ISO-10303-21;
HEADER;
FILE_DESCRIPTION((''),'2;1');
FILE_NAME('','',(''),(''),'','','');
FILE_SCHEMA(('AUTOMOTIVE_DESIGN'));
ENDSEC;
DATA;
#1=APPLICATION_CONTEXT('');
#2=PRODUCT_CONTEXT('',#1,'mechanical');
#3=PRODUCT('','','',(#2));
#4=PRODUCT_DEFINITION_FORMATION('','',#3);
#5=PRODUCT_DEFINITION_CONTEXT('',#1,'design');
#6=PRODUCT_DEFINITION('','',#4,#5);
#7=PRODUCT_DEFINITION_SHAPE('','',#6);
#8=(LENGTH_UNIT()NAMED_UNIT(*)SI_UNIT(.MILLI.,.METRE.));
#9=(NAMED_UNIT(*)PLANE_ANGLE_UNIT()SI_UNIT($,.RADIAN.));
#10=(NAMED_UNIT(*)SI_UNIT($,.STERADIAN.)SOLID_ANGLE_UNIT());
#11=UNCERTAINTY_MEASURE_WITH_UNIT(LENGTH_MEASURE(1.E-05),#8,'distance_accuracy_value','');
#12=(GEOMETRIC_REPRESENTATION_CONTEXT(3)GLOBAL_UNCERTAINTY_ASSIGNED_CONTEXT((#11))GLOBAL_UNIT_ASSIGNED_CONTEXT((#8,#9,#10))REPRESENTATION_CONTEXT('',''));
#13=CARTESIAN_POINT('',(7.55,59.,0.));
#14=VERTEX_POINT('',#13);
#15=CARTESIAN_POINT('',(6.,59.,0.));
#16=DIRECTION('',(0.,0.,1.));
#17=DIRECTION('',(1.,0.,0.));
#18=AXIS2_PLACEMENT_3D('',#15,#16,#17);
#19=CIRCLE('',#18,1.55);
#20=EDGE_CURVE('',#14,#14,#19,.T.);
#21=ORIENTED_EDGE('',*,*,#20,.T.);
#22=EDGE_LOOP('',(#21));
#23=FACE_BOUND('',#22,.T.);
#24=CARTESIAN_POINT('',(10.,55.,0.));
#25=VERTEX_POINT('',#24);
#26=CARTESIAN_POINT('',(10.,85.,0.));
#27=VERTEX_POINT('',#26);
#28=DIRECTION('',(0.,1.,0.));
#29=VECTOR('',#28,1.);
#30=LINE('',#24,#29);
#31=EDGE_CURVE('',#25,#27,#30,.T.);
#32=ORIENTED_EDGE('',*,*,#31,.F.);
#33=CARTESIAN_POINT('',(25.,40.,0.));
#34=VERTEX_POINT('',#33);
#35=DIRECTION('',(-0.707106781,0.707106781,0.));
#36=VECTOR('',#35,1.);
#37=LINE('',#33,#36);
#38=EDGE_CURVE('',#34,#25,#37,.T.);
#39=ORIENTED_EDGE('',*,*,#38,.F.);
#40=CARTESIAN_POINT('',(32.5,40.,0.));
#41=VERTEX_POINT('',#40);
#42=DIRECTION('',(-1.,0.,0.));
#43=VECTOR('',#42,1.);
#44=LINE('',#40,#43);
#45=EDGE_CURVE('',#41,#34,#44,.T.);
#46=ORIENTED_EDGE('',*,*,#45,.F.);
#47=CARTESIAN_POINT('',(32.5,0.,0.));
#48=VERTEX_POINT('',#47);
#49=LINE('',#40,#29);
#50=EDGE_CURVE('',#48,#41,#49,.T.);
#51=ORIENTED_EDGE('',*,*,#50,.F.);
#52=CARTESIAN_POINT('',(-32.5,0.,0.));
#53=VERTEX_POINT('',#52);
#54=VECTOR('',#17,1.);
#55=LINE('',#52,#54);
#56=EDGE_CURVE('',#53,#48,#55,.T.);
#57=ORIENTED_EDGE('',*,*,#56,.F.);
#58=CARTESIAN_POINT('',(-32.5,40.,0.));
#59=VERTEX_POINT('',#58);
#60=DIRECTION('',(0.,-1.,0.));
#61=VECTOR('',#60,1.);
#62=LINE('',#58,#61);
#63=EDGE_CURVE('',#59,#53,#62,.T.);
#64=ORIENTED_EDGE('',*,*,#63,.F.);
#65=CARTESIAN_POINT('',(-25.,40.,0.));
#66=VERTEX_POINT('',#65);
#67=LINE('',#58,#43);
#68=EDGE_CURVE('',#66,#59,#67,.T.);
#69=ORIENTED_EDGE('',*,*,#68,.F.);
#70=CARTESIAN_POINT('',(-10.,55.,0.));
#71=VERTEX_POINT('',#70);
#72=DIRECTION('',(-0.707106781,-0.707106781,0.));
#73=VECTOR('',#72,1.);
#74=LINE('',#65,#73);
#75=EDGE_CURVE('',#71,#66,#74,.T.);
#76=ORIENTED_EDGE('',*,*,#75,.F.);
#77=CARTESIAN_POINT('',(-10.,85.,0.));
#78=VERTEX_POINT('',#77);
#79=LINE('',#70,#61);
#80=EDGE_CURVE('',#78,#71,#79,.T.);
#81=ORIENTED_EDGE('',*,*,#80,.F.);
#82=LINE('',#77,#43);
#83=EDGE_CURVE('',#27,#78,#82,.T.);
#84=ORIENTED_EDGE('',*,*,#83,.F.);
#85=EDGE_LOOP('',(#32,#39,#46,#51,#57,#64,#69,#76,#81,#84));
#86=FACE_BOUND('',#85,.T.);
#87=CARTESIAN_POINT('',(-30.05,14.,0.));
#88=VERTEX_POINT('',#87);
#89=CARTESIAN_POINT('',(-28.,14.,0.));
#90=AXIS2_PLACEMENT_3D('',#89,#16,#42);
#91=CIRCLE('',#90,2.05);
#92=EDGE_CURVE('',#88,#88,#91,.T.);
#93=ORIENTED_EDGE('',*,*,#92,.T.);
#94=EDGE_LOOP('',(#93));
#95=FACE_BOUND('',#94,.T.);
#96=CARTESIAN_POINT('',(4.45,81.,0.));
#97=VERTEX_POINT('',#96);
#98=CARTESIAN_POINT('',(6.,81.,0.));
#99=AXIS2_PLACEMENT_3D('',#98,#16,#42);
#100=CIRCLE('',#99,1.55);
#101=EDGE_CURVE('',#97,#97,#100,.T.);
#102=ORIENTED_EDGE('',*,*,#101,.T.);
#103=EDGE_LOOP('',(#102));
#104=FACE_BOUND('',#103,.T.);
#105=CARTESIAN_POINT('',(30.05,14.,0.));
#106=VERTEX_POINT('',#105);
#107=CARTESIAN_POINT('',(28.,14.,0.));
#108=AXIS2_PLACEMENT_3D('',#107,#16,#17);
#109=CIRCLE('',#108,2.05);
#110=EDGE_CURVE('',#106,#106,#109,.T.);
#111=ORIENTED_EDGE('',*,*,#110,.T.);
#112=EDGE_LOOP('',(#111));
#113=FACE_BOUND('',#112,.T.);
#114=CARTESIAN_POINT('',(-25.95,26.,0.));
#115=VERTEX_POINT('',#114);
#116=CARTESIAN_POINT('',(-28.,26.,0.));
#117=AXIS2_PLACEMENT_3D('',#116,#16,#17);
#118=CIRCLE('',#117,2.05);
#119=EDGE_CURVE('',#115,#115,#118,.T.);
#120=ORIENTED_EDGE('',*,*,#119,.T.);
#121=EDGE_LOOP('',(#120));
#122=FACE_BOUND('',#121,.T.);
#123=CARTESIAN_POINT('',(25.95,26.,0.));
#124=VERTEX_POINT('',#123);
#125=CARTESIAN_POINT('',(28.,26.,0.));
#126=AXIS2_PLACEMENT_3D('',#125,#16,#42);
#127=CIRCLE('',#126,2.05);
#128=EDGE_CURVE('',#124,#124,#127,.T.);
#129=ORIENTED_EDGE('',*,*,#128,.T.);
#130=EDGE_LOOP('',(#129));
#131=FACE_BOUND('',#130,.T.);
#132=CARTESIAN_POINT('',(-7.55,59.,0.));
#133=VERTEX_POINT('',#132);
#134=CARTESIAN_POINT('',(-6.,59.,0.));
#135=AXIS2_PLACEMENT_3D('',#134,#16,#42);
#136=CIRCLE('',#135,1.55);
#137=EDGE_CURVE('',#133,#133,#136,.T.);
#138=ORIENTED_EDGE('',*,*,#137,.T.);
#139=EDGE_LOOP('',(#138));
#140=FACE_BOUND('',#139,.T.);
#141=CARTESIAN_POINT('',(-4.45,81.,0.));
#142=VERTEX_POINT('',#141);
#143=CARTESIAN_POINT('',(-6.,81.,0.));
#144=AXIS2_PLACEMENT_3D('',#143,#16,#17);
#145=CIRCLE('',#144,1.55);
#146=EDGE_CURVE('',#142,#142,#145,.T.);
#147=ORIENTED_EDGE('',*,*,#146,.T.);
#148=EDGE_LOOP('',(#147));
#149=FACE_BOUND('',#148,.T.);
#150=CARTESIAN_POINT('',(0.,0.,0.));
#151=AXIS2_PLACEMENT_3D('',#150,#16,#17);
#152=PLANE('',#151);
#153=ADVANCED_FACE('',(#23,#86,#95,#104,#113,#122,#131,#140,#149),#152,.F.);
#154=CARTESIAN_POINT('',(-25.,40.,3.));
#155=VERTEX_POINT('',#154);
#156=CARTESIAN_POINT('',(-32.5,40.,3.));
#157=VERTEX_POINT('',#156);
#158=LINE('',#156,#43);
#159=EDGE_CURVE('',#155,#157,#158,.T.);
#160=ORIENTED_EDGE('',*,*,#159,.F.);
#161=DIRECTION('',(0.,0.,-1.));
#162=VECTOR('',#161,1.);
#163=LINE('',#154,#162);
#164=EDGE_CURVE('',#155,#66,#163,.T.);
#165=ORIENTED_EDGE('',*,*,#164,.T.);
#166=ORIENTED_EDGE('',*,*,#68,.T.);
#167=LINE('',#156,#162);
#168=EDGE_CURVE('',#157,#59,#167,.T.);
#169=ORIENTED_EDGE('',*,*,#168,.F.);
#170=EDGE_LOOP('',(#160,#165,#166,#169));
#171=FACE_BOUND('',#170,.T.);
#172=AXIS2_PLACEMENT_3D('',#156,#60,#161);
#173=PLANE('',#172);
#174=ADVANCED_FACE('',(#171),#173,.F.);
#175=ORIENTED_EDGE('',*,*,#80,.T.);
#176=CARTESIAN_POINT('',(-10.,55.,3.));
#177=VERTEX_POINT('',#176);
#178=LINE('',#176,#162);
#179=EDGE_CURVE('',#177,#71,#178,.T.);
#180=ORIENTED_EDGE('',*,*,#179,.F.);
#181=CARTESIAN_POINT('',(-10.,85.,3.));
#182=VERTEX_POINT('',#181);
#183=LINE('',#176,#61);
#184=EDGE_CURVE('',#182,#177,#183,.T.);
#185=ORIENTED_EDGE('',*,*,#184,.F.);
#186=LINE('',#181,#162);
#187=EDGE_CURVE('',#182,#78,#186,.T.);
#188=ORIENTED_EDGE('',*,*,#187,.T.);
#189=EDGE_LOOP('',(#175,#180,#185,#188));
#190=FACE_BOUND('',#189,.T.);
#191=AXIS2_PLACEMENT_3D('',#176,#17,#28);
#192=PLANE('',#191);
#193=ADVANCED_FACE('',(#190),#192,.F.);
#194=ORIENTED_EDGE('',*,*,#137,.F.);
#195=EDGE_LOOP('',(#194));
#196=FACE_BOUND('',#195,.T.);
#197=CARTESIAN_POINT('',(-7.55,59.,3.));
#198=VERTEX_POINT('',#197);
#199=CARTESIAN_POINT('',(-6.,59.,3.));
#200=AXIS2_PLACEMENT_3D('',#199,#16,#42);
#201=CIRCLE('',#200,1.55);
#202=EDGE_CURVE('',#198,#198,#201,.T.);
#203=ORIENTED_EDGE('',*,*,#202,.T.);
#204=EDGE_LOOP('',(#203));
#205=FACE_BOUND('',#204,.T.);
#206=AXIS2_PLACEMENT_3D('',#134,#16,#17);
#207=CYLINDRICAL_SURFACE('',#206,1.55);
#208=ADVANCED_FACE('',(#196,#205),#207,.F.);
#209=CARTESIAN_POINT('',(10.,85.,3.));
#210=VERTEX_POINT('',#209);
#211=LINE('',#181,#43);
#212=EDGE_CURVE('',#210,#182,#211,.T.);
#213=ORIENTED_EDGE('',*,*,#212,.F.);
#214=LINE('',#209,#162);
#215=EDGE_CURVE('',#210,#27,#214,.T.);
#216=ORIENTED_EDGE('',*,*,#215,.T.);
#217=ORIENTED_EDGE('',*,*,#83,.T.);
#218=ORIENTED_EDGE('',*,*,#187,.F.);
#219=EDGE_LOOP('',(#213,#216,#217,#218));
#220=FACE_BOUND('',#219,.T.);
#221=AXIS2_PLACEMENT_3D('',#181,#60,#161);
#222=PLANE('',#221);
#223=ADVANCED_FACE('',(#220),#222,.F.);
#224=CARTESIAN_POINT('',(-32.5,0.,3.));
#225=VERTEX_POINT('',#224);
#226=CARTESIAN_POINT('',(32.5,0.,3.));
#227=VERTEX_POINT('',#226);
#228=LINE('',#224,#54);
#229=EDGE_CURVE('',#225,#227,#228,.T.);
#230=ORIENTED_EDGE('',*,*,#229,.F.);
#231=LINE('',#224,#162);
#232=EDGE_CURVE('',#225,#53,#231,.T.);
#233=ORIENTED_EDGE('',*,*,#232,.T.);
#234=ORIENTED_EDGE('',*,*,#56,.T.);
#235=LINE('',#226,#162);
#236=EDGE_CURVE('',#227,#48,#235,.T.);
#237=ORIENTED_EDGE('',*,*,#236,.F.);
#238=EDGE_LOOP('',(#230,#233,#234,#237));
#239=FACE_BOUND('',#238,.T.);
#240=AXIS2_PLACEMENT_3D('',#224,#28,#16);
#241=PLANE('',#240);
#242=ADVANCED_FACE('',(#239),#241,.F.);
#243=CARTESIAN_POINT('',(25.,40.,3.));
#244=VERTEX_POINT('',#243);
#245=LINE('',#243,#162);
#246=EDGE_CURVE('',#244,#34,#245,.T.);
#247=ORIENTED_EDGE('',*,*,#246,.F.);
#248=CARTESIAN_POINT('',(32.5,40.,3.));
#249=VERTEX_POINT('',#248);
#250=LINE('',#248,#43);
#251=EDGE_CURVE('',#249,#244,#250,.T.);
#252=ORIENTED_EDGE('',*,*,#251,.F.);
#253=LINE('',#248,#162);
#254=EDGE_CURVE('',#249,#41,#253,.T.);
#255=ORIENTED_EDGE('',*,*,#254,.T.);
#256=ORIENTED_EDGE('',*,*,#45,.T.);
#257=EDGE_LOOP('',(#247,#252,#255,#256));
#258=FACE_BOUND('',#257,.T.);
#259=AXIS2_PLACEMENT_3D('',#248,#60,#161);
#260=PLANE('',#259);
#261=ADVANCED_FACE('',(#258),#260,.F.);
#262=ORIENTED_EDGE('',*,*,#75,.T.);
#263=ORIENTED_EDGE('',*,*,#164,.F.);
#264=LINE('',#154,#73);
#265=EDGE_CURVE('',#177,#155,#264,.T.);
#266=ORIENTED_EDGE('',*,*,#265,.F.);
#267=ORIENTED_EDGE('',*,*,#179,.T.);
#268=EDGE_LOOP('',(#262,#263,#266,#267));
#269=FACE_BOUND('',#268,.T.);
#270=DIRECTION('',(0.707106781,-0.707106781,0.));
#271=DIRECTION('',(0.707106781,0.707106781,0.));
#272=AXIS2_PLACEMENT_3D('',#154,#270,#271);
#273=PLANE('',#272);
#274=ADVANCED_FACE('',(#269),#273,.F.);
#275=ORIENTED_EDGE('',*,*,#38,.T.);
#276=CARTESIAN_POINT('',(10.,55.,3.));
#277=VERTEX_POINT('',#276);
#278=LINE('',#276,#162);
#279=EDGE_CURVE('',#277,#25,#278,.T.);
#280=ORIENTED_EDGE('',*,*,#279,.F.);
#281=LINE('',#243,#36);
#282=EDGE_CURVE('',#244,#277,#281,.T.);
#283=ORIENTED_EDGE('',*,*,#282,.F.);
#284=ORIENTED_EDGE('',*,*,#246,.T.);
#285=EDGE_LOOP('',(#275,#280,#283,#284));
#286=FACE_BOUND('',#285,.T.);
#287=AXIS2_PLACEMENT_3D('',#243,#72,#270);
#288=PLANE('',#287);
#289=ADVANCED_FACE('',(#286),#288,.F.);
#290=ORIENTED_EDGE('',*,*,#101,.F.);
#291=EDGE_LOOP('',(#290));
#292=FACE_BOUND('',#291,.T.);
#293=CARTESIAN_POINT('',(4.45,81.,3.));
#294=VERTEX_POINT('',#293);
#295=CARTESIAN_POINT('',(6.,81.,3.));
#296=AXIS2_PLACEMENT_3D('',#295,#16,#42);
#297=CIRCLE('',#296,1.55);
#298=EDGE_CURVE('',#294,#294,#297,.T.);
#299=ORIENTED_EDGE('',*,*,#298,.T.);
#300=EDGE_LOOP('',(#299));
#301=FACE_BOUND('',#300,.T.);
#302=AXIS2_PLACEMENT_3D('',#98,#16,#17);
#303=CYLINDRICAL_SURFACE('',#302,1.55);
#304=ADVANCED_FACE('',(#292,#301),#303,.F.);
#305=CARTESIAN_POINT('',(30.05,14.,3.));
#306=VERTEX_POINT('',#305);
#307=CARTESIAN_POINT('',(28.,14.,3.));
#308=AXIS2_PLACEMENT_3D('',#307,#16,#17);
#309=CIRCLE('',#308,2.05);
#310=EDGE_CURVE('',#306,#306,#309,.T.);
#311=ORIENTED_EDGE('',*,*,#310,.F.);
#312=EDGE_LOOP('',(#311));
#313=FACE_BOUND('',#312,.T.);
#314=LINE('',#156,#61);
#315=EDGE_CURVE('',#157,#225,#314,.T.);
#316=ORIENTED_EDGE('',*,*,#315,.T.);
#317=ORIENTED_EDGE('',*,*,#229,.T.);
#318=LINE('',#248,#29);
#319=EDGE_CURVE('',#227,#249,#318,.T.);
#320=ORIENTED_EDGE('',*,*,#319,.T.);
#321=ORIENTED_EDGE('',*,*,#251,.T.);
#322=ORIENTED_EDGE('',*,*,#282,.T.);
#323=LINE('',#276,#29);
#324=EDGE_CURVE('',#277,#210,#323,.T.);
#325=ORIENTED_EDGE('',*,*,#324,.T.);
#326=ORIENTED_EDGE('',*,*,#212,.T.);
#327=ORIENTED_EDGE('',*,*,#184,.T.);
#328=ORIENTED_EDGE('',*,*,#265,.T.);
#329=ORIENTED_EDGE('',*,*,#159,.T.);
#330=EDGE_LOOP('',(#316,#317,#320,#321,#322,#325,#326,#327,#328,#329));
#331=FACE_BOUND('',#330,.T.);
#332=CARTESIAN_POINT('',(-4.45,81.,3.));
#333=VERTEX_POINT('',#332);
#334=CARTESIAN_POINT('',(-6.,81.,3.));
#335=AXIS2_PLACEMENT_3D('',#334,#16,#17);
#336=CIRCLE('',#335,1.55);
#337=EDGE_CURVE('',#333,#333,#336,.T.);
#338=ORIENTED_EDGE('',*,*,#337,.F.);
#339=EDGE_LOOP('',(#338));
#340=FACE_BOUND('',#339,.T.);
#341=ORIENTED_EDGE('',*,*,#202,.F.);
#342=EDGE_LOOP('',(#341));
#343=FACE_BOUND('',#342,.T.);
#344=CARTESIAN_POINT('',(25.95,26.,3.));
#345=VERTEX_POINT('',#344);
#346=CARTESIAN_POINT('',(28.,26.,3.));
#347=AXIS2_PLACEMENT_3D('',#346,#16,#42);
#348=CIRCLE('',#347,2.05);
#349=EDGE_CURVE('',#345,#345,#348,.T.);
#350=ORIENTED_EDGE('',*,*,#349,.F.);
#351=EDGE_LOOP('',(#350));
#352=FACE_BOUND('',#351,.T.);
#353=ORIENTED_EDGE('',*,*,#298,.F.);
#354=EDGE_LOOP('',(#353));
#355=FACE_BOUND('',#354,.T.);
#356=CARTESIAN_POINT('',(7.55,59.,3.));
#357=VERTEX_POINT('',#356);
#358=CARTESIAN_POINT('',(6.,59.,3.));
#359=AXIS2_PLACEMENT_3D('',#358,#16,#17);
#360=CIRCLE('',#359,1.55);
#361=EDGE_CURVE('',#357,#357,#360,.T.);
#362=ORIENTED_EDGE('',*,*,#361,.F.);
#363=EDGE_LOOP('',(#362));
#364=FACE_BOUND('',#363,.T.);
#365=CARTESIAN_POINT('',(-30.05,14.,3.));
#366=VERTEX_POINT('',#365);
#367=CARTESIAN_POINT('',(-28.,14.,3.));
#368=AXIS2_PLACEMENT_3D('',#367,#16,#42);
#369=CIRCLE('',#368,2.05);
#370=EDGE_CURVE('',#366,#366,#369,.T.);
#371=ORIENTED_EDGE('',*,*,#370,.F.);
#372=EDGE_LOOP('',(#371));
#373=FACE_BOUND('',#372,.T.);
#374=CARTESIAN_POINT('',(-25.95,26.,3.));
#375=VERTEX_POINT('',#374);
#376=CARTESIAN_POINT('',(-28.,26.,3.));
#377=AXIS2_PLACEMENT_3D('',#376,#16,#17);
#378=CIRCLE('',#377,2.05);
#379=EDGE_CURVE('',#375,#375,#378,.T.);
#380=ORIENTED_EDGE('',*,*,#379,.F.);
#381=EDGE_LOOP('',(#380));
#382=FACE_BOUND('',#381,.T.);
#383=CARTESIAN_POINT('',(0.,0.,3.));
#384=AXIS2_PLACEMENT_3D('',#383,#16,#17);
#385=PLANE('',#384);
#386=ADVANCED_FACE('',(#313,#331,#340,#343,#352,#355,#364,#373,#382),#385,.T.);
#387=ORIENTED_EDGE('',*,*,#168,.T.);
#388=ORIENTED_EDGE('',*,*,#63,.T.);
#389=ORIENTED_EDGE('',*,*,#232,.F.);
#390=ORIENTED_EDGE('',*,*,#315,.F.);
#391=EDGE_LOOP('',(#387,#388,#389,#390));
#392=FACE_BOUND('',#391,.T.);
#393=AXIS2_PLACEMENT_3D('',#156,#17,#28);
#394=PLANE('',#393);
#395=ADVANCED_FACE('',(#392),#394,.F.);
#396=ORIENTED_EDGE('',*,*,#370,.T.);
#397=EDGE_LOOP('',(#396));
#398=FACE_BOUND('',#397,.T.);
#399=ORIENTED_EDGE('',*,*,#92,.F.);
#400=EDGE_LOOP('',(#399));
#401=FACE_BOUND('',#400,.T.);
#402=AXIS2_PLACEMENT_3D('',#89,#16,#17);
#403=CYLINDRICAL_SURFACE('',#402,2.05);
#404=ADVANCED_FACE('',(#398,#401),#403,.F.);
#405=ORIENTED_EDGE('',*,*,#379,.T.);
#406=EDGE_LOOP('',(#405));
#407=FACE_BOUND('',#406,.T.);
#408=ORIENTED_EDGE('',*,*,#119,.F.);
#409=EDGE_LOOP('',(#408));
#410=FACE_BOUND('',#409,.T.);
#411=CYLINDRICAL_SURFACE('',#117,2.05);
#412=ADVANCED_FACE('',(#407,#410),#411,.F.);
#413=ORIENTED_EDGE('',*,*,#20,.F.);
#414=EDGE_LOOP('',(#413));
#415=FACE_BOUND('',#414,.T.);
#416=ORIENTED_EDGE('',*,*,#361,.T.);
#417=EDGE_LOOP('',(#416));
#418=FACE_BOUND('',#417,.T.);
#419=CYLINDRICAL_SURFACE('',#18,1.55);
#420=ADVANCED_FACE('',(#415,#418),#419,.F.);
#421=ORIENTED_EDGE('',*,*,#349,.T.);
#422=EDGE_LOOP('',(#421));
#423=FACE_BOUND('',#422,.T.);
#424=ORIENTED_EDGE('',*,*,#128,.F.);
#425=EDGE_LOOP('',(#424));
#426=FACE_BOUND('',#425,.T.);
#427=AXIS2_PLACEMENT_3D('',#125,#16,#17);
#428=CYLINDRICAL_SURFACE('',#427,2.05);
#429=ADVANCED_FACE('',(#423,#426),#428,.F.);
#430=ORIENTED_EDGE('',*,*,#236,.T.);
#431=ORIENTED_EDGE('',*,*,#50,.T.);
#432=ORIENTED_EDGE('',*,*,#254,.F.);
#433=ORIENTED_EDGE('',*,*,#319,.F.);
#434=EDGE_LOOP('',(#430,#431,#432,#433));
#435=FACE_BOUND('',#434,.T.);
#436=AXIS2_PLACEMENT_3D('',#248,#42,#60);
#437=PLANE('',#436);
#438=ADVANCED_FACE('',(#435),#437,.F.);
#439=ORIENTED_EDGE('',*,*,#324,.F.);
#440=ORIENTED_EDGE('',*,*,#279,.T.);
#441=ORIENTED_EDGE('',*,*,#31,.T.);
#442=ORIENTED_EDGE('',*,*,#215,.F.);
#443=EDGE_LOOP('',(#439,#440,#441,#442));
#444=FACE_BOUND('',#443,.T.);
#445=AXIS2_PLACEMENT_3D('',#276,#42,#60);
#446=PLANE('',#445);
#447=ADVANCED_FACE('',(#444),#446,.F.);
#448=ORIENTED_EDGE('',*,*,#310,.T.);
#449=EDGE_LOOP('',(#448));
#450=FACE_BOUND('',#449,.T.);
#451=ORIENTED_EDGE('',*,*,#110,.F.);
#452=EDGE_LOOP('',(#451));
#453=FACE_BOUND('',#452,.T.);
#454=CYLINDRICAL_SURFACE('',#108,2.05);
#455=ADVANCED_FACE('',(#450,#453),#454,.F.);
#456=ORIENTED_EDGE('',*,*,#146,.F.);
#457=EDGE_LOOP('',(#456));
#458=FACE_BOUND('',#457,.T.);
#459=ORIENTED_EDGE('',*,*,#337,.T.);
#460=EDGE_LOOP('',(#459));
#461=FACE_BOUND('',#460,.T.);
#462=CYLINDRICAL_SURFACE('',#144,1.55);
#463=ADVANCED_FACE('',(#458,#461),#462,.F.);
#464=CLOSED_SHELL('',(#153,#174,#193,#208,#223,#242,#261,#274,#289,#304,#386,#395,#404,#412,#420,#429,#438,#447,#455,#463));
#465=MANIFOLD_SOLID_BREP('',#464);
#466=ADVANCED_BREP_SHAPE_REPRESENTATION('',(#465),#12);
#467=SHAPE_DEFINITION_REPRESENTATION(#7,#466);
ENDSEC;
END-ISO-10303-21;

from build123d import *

# Parameters (mm, degrees)
EXTRUDE_1_DEPTH     = 3
SKETCH_2_R          = 1.55
CUT_EXTRUDE_1_DEPTH = 92.050809991
SKETCH_3_R          = 2.05
CUT_EXTRUDE_2_DEPTH = 92.050809991


with BuildPart() as part:
    # 草图1 → 凸台-拉伸1 (new body)
    with BuildSketch(Plane.XY):
        Polygon((-32.5, 40), (-25, 40), (-10, 55), (-10, 85), (10, 85), (10, 55), (25, 40), (32.5, 40), (32.5, 0), (-32.5, 0), align=None)
    extrude(amount=EXTRUDE_1_DEPTH)

    # 草图2 → 切除-拉伸1 (cut, through all)
    with BuildSketch(Plane.XY.offset(3)):
        with Locations((-6, 81)):
            Circle(SKETCH_2_R)
        with Locations(Location((-6, 59, 0), (0, 0, 180))):
            Circle(SKETCH_2_R)
        with Locations((6, 59)):
            Circle(SKETCH_2_R)
        with Locations(Location((6, 81, 0), (0, 0, 180))):
            Circle(SKETCH_2_R)
    extrude(amount=-CUT_EXTRUDE_1_DEPTH, mode=Mode.SUBTRACT)

    # 草图3 → 切除-拉伸2 (cut, through all)
    with BuildSketch(Plane.XY.offset(3)):
        with Locations((-28, 26)):
            Circle(SKETCH_3_R)
        with Locations(Location((-28, 14, 0), (0, 0, 180))):
            Circle(SKETCH_3_R)
        with Locations((28, 14)):
            Circle(SKETCH_3_R)
        with Locations(Location((28, 26, 0), (0, 0, 180))):
            Circle(SKETCH_3_R)
    extrude(amount=-CUT_EXTRUDE_2_DEPTH, mode=Mode.SUBTRACT)


solid = part.part
